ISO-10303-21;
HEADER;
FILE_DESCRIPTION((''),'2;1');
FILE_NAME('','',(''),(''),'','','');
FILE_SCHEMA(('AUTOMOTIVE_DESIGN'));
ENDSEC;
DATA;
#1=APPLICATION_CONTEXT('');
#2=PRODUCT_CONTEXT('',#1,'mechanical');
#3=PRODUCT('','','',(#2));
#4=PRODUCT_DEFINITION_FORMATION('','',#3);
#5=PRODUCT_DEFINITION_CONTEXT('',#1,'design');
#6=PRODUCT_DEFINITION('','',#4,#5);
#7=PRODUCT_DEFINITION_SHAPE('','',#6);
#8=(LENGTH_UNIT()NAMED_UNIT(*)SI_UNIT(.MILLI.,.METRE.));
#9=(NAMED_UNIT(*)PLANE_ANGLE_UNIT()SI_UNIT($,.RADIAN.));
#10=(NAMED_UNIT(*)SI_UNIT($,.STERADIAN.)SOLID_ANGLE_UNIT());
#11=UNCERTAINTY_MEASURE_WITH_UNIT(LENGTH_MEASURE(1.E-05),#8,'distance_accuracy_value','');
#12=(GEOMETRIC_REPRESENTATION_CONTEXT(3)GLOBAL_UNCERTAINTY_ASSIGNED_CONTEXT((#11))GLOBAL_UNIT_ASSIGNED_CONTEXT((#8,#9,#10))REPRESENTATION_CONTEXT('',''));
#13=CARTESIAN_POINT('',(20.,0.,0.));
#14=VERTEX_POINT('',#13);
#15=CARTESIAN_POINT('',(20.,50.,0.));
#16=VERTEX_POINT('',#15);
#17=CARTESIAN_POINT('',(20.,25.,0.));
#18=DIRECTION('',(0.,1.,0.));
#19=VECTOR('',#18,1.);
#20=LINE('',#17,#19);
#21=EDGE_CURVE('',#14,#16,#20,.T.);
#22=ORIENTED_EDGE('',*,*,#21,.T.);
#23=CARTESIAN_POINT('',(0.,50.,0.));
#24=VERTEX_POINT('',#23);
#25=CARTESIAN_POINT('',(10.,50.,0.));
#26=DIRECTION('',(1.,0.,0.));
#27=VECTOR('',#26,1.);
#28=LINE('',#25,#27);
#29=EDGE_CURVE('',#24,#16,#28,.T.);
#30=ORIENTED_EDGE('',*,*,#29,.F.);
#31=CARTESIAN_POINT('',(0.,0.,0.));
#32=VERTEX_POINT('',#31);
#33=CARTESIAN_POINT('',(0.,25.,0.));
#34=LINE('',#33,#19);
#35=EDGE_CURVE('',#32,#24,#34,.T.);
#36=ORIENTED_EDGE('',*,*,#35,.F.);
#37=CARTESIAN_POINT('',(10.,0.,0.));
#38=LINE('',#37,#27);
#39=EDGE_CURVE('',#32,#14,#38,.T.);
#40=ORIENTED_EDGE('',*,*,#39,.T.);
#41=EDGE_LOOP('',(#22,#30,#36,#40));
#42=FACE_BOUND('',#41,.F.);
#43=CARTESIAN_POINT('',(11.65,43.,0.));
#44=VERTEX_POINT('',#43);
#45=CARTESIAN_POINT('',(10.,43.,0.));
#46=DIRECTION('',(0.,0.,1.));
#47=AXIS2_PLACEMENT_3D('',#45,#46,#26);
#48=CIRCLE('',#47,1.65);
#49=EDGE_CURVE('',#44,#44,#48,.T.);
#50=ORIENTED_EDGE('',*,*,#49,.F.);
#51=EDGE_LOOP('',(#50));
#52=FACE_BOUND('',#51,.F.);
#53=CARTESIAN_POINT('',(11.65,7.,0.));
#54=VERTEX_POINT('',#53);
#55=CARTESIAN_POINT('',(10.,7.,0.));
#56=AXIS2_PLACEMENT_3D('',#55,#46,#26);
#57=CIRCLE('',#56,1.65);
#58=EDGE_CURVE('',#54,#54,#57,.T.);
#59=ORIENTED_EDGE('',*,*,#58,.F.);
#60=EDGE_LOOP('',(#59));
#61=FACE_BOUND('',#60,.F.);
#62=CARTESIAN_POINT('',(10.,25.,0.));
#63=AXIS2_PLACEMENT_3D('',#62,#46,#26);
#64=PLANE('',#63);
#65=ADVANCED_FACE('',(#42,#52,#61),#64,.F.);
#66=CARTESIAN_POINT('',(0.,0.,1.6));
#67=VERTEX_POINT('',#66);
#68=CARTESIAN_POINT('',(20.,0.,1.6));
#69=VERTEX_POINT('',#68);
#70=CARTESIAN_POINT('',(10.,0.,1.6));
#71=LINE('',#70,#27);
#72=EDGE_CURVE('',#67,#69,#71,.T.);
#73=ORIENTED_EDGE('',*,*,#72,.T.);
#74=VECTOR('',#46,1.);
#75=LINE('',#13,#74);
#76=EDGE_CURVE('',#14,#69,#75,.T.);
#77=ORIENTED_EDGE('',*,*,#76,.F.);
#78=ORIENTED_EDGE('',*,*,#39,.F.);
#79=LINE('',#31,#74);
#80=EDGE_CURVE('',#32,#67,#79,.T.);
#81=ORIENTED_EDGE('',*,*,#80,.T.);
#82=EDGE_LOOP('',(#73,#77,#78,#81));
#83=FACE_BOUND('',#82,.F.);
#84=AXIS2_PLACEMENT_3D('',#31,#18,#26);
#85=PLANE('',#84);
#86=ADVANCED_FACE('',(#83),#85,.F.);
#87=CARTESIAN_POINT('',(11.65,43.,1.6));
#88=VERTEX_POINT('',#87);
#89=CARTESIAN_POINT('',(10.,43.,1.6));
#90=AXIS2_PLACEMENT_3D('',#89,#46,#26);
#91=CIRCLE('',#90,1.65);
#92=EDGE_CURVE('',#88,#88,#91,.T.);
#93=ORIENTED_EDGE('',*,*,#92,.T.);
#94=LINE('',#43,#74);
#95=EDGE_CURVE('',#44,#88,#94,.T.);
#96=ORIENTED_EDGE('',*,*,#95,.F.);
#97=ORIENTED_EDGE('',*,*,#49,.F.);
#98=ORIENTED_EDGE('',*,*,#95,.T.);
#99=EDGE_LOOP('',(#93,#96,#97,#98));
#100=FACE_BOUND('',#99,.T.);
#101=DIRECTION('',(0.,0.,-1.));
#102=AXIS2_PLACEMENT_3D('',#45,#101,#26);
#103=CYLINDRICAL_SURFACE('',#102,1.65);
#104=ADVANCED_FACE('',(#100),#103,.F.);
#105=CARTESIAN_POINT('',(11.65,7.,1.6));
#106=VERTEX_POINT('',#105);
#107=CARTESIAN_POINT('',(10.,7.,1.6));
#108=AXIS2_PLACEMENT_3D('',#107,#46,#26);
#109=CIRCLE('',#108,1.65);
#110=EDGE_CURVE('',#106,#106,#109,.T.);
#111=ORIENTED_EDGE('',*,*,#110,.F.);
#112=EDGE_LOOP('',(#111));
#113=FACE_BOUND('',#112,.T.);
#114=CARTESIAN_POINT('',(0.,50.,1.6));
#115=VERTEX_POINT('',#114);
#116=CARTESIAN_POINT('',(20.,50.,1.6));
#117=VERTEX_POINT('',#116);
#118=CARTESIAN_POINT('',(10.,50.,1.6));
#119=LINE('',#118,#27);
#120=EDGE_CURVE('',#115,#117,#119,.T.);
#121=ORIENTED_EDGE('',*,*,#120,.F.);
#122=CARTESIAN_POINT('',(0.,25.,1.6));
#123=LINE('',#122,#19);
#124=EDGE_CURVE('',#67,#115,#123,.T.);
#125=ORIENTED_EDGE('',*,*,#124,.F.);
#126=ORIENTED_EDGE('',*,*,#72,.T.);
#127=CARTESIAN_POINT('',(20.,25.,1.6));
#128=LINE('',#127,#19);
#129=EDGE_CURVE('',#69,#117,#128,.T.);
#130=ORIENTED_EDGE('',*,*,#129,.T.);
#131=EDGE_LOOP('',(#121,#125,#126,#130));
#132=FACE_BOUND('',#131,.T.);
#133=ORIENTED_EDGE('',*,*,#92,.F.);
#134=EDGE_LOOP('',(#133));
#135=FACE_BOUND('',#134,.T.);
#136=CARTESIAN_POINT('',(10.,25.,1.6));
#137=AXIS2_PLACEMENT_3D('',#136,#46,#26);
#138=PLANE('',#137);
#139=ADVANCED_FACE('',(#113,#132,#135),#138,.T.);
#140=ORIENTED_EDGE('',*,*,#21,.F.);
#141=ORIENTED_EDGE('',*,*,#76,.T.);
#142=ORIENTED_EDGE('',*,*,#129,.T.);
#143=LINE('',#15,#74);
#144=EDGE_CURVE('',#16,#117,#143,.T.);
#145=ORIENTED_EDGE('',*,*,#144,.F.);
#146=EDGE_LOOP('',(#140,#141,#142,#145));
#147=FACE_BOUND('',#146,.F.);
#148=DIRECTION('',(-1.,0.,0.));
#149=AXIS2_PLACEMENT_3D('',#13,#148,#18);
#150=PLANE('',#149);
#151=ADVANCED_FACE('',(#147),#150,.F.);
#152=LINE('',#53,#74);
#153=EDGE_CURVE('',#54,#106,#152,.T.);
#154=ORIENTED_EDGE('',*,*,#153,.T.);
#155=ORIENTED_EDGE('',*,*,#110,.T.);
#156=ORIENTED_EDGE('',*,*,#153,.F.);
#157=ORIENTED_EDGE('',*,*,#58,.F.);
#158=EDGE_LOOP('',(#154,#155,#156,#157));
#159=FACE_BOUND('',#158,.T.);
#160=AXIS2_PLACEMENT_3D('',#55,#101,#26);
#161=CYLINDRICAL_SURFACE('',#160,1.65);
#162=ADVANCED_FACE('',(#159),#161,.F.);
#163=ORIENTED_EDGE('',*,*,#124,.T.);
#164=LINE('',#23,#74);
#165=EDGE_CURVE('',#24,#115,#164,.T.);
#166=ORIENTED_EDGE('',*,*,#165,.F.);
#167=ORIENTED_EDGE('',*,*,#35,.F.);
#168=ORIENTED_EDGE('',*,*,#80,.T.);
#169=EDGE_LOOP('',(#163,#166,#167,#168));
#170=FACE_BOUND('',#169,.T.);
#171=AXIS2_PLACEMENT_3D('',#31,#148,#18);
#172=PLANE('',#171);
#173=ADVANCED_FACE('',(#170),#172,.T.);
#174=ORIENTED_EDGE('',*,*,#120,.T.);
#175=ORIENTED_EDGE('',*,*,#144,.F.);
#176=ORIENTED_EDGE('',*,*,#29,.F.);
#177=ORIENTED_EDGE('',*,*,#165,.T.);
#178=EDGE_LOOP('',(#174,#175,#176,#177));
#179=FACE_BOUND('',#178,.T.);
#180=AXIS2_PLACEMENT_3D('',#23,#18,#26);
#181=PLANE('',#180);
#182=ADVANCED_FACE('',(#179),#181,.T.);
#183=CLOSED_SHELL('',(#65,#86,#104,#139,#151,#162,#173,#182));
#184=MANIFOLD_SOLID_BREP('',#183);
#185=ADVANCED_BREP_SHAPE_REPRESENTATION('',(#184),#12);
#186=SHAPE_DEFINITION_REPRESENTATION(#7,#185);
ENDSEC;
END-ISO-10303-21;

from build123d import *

# Parameters (mm, degrees)
SKETCH_W  = 20
SKETCH_H  = 50
SKETCH_R  = 1.65
PAD_DEPTH = 1.6


with BuildPart() as part:
    # Sketch → Pad (new body)
    with BuildSketch(Plane.XY):
        with Locations((10, 25)):
            Rectangle(SKETCH_W, SKETCH_H)
        with Locations((10, 43)):
            Circle(SKETCH_R, mode=Mode.SUBTRACT)
        with Locations((10, 7)):
            Circle(SKETCH_R, mode=Mode.SUBTRACT)
    extrude(amount=PAD_DEPTH)


solid = part.part
